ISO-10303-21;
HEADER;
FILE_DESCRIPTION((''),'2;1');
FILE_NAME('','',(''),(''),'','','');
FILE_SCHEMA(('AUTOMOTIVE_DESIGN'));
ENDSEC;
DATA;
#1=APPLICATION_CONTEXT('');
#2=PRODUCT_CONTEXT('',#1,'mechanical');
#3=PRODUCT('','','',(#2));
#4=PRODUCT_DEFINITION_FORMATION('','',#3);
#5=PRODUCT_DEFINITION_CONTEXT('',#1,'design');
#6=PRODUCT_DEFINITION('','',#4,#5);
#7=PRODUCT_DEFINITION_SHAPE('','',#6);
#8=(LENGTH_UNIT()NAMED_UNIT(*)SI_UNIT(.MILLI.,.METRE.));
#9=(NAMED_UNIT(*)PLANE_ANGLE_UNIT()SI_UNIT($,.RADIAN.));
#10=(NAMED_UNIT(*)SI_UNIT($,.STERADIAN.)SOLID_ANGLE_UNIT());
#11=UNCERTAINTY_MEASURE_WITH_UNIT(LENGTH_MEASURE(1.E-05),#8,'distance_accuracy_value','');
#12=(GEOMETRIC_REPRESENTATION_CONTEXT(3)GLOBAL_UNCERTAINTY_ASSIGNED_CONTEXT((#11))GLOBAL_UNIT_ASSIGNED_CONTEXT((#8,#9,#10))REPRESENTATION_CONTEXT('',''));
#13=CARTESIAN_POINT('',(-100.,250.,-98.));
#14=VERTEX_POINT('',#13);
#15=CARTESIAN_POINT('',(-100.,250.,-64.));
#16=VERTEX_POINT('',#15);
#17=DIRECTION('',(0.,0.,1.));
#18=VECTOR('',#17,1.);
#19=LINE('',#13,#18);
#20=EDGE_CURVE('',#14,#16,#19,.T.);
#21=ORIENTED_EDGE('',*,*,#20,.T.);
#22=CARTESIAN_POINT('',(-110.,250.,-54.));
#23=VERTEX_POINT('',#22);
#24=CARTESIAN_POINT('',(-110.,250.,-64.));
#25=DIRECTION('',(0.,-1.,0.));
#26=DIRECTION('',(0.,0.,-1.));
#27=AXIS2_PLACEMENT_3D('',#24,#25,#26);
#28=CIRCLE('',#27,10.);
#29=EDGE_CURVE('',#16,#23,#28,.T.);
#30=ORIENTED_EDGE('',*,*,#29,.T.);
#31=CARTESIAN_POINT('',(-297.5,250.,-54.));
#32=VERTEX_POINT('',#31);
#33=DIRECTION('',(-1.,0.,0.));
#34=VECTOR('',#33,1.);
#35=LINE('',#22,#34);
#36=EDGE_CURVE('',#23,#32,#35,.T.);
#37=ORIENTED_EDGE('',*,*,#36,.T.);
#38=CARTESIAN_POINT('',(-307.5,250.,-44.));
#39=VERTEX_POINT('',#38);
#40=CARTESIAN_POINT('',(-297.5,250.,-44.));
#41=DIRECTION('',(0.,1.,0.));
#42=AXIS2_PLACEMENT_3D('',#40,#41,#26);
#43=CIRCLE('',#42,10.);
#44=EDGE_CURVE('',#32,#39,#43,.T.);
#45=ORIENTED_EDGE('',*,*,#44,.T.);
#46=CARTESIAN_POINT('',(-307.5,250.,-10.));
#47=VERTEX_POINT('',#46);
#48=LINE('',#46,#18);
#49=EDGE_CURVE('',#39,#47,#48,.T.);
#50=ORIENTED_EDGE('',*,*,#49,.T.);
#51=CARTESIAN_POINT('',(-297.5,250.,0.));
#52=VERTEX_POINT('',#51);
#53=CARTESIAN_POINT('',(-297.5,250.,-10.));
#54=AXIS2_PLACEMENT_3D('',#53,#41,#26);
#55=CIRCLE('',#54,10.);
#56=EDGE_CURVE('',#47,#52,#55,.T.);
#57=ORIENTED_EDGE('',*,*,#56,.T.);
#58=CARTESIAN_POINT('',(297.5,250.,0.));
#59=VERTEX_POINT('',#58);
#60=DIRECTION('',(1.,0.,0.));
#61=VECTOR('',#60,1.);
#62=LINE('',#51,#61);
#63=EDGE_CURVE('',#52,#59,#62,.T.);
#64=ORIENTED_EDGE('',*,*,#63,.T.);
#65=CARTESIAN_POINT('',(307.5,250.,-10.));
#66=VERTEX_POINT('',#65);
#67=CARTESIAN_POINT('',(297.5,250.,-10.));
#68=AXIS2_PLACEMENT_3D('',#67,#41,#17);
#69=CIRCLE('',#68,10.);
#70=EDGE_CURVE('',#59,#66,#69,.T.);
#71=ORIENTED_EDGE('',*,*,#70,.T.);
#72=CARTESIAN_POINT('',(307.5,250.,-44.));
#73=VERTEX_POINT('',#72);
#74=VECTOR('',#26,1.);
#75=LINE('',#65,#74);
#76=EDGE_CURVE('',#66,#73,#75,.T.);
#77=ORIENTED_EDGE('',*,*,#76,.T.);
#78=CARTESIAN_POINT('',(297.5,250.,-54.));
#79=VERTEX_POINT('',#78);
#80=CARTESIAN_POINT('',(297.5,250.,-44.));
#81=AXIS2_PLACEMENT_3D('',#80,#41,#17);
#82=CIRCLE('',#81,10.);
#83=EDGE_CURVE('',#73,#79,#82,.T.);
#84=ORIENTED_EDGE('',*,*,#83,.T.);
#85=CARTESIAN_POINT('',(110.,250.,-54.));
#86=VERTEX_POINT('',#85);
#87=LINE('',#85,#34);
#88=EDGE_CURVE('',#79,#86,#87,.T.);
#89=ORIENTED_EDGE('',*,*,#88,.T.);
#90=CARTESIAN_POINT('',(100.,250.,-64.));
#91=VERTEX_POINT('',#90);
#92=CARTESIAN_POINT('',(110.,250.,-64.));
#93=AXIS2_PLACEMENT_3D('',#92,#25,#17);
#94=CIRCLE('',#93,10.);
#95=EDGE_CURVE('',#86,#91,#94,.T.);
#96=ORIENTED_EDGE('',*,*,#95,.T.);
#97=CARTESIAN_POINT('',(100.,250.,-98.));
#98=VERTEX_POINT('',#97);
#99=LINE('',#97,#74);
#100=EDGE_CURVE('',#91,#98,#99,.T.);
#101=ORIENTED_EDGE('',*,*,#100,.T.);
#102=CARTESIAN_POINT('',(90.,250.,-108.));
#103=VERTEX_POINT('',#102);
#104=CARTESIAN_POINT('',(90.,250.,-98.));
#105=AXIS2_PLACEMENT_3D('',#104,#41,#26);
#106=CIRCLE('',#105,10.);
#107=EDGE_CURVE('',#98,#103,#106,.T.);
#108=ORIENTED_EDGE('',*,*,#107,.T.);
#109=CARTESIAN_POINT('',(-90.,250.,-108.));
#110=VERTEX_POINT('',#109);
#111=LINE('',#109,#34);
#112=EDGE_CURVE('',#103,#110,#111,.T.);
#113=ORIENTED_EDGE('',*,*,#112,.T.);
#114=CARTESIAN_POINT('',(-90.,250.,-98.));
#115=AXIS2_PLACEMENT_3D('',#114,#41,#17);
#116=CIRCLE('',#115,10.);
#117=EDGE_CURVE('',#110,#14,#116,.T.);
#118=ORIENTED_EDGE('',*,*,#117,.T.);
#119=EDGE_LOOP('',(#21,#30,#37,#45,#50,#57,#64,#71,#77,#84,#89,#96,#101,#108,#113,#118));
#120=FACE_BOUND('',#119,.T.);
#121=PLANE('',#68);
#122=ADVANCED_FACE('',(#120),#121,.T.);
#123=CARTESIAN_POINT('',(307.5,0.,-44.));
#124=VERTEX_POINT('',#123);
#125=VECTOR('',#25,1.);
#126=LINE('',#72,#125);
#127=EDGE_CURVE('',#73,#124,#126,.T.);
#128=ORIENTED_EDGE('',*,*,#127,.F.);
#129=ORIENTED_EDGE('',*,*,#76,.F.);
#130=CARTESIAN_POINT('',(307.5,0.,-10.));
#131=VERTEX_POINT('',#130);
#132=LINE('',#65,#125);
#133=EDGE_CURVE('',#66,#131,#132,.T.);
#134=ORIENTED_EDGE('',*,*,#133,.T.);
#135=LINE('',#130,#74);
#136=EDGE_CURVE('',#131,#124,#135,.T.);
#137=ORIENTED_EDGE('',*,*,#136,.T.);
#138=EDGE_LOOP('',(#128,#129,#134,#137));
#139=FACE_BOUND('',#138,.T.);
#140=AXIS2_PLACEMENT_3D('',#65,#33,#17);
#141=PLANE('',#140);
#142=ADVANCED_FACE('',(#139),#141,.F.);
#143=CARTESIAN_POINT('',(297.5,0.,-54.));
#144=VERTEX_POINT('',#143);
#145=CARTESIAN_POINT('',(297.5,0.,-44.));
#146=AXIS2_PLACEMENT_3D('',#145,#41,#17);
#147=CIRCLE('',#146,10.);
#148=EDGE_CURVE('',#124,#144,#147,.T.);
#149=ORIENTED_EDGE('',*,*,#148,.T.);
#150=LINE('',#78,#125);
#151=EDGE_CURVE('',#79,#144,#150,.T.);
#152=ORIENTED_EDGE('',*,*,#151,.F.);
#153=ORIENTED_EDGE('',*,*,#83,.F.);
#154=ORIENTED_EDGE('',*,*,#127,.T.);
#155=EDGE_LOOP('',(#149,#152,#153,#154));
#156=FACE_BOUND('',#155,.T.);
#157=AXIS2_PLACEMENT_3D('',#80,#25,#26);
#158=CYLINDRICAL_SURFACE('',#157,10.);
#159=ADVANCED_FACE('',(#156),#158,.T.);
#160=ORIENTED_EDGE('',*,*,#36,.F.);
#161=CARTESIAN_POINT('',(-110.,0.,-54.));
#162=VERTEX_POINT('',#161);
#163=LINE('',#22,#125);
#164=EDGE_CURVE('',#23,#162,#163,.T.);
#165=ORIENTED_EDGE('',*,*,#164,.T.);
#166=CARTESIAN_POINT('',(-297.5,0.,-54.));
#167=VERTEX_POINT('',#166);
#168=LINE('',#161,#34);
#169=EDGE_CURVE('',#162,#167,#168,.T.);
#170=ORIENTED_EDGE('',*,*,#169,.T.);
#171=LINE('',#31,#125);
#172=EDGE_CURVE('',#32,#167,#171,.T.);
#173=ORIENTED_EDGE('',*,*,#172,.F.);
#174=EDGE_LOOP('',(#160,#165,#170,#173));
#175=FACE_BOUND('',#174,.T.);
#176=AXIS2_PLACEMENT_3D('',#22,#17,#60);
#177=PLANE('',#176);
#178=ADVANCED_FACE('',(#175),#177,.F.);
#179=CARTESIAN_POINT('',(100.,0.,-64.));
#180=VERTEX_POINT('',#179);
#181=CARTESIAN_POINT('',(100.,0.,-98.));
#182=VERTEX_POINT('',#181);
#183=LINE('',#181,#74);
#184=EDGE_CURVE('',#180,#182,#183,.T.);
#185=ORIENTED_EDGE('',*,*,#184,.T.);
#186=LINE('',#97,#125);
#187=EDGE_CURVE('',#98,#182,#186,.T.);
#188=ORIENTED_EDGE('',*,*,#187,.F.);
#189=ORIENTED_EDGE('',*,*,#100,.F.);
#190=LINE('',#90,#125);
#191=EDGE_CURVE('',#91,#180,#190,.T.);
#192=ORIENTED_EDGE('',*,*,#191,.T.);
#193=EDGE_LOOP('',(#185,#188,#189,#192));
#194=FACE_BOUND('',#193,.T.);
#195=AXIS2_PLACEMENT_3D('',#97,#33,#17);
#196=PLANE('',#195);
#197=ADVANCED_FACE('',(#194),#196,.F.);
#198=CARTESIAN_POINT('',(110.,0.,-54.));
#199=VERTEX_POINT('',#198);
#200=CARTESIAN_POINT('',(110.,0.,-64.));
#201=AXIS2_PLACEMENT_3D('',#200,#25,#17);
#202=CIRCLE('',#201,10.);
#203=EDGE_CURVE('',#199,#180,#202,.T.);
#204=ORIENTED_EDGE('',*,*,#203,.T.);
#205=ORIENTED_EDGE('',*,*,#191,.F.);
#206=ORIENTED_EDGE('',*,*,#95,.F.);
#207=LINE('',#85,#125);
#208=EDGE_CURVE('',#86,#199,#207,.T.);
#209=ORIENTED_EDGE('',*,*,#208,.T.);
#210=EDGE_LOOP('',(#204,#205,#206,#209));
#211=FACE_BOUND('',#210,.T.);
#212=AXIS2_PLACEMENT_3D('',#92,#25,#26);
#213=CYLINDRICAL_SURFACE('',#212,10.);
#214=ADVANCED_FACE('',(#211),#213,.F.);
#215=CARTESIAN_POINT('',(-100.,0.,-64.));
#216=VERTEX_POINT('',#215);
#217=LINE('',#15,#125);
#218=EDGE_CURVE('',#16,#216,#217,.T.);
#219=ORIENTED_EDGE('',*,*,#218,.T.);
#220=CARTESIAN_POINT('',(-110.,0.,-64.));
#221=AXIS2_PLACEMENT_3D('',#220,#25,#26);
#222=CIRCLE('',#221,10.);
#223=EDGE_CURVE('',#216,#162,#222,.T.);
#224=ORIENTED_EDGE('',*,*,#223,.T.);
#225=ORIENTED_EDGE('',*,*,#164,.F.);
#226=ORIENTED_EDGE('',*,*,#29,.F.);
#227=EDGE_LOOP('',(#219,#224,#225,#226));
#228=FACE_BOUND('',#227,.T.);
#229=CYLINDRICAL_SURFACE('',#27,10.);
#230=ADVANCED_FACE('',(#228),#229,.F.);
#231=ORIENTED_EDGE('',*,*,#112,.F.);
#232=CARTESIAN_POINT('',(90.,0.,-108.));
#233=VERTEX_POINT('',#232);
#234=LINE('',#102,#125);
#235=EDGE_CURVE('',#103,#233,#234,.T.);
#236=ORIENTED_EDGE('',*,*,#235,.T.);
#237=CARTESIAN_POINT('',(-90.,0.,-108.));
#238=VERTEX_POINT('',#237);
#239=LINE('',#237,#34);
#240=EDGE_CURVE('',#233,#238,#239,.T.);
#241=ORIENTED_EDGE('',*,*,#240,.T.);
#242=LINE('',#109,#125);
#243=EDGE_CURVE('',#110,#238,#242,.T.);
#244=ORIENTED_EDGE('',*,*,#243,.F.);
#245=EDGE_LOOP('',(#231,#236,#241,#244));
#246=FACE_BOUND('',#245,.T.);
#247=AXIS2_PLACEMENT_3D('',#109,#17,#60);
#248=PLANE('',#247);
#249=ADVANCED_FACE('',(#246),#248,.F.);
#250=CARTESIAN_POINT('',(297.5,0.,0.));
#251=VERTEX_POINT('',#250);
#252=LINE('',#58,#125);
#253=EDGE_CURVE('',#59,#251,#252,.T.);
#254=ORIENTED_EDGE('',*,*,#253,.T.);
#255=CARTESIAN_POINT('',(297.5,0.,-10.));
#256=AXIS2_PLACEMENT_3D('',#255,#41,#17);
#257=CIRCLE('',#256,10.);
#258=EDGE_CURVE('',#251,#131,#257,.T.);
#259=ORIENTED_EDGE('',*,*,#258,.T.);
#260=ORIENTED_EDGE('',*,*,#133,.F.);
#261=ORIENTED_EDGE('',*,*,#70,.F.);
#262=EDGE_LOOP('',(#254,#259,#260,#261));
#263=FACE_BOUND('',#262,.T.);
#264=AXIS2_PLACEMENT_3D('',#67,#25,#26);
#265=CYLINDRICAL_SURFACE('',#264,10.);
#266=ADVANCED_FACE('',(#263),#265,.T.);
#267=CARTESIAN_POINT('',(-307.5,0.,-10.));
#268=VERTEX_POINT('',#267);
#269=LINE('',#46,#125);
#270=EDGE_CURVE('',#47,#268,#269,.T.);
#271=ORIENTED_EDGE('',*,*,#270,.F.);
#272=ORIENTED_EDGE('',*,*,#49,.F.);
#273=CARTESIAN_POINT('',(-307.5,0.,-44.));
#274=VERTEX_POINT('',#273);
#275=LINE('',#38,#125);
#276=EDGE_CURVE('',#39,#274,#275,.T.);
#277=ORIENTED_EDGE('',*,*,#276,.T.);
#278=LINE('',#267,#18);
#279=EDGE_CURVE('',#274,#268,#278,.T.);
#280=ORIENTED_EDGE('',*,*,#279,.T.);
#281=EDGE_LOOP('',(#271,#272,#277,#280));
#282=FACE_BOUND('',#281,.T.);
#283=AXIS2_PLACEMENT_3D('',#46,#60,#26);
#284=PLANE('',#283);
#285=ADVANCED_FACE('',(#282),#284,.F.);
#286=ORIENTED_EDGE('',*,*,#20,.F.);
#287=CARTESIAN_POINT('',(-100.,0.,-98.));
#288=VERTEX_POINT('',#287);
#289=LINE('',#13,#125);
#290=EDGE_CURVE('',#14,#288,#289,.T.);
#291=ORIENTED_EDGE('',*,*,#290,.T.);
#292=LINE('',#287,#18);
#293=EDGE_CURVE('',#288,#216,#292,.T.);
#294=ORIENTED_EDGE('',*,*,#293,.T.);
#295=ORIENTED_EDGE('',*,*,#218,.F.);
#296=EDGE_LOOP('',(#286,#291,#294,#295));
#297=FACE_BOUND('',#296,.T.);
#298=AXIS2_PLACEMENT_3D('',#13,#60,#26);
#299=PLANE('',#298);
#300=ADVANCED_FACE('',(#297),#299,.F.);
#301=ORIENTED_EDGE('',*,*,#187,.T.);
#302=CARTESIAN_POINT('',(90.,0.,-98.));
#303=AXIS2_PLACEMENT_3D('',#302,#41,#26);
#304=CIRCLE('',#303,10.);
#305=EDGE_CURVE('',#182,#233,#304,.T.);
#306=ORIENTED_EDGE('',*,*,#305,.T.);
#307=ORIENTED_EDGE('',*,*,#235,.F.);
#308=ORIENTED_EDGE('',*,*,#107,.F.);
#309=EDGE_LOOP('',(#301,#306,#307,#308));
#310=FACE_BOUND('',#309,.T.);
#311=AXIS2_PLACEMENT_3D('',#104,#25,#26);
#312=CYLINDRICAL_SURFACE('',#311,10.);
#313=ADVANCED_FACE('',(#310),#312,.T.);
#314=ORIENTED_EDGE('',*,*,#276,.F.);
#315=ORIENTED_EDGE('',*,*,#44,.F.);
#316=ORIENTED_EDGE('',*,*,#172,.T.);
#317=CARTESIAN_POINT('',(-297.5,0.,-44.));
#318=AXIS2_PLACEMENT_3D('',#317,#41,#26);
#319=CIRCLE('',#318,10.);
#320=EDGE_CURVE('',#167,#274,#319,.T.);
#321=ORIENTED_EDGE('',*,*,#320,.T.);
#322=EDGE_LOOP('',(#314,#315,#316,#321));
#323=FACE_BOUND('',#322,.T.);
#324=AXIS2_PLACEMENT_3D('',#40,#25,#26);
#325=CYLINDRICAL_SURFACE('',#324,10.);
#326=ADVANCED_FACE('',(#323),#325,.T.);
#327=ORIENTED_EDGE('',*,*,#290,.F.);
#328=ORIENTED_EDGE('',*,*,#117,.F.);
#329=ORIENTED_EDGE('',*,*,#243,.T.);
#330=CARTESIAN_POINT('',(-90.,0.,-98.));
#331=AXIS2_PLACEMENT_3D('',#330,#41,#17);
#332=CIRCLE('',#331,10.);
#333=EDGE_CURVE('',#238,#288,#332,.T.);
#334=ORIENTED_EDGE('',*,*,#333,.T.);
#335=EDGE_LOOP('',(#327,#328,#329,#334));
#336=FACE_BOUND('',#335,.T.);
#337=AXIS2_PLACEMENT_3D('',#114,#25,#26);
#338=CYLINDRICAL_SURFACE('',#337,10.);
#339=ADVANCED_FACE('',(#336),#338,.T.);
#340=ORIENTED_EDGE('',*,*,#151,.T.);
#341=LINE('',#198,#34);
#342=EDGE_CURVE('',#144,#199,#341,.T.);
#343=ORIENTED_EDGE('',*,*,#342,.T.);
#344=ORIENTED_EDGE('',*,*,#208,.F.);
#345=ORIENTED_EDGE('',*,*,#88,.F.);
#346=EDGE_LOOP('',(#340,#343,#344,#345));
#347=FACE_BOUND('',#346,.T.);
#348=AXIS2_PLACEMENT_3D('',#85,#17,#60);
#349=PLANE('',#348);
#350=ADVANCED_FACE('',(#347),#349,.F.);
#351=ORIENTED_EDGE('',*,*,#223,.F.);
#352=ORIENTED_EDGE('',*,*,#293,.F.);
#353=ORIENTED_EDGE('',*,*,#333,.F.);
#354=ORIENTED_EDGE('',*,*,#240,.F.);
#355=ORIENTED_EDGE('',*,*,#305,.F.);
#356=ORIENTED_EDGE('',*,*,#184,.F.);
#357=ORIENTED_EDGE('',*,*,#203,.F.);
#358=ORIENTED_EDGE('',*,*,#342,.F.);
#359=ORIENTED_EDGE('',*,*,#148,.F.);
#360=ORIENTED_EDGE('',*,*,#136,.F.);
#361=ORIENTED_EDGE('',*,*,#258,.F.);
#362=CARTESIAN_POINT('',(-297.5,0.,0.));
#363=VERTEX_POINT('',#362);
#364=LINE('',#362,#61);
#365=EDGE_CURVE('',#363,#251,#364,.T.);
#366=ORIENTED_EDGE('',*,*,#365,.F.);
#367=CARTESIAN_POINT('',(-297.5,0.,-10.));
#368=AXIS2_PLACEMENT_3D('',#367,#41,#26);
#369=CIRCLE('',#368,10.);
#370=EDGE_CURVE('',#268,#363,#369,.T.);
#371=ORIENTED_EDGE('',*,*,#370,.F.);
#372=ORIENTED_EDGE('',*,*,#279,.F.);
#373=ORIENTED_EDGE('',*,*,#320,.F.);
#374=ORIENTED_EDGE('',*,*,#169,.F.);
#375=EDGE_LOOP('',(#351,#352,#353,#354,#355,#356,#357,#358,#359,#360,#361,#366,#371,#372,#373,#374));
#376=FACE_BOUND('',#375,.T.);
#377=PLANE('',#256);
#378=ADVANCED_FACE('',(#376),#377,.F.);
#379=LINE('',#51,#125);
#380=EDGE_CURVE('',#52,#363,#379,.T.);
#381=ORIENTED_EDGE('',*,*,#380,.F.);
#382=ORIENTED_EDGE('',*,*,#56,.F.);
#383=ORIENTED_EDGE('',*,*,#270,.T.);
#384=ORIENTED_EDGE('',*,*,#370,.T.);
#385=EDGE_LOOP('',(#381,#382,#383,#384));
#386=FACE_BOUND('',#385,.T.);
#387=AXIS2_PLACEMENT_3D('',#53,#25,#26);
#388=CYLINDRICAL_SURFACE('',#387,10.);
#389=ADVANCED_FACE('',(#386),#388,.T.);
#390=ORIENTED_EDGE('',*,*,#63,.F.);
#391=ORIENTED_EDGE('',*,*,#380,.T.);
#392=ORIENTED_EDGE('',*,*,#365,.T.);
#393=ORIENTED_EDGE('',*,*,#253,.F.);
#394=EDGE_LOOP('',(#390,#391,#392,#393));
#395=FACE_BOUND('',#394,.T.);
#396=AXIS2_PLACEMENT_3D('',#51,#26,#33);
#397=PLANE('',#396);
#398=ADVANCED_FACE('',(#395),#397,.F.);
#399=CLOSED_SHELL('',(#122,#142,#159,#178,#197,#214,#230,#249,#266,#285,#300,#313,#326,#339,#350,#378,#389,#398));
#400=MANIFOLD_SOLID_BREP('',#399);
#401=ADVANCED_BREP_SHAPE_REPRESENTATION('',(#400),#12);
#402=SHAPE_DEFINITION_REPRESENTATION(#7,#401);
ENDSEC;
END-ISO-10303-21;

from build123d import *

# Parameters (mm, degrees)
EXTRUDE_1_DEPTH = 250


with BuildPart() as part:
    # 草图1 → 凸台-拉伸1 (new body)
    with BuildSketch(Plane(origin=(0, 0, 0), x_dir=(1, 0, 0), z_dir=(0, 1, 0))):
        with BuildLine():
            Line((-297.5, 0), (297.5, 0))
            ThreePointArc((297.5, 0), (304.571067812, 2.928932188), (307.5, 10))
            Line((307.5, 10), (307.5, 44))
            ThreePointArc((307.5, 44), (304.571067812, 51.071067812), (297.5, 54))
            Line((297.5, 54), (110, 54))
            ThreePointArc((110, 54), (102.928932188, 56.928932188), (100, 64))
            Line((100, 64), (100, 98))
            ThreePointArc((100, 98), (97.071067812, 105.071067812), (90, 108))
            Line((90, 108), (-90, 108))
            ThreePointArc((-90, 108), (-97.071067812, 105.071067812), (-100, 98))
            Line((-100, 98), (-100, 64))
            ThreePointArc((-100, 64), (-102.928932188, 56.928932188), (-110, 54))
            Line((-110, 54), (-297.5, 54))
            ThreePointArc((-297.5, 54), (-304.571067812, 51.071067812), (-307.5, 44))
            Line((-307.5, 44), (-307.5, 10))
            ThreePointArc((-307.5, 10), (-304.571067812, 2.928932188), (-297.5, 0))
        make_face()
    extrude(amount=EXTRUDE_1_DEPTH)


solid = part.part
